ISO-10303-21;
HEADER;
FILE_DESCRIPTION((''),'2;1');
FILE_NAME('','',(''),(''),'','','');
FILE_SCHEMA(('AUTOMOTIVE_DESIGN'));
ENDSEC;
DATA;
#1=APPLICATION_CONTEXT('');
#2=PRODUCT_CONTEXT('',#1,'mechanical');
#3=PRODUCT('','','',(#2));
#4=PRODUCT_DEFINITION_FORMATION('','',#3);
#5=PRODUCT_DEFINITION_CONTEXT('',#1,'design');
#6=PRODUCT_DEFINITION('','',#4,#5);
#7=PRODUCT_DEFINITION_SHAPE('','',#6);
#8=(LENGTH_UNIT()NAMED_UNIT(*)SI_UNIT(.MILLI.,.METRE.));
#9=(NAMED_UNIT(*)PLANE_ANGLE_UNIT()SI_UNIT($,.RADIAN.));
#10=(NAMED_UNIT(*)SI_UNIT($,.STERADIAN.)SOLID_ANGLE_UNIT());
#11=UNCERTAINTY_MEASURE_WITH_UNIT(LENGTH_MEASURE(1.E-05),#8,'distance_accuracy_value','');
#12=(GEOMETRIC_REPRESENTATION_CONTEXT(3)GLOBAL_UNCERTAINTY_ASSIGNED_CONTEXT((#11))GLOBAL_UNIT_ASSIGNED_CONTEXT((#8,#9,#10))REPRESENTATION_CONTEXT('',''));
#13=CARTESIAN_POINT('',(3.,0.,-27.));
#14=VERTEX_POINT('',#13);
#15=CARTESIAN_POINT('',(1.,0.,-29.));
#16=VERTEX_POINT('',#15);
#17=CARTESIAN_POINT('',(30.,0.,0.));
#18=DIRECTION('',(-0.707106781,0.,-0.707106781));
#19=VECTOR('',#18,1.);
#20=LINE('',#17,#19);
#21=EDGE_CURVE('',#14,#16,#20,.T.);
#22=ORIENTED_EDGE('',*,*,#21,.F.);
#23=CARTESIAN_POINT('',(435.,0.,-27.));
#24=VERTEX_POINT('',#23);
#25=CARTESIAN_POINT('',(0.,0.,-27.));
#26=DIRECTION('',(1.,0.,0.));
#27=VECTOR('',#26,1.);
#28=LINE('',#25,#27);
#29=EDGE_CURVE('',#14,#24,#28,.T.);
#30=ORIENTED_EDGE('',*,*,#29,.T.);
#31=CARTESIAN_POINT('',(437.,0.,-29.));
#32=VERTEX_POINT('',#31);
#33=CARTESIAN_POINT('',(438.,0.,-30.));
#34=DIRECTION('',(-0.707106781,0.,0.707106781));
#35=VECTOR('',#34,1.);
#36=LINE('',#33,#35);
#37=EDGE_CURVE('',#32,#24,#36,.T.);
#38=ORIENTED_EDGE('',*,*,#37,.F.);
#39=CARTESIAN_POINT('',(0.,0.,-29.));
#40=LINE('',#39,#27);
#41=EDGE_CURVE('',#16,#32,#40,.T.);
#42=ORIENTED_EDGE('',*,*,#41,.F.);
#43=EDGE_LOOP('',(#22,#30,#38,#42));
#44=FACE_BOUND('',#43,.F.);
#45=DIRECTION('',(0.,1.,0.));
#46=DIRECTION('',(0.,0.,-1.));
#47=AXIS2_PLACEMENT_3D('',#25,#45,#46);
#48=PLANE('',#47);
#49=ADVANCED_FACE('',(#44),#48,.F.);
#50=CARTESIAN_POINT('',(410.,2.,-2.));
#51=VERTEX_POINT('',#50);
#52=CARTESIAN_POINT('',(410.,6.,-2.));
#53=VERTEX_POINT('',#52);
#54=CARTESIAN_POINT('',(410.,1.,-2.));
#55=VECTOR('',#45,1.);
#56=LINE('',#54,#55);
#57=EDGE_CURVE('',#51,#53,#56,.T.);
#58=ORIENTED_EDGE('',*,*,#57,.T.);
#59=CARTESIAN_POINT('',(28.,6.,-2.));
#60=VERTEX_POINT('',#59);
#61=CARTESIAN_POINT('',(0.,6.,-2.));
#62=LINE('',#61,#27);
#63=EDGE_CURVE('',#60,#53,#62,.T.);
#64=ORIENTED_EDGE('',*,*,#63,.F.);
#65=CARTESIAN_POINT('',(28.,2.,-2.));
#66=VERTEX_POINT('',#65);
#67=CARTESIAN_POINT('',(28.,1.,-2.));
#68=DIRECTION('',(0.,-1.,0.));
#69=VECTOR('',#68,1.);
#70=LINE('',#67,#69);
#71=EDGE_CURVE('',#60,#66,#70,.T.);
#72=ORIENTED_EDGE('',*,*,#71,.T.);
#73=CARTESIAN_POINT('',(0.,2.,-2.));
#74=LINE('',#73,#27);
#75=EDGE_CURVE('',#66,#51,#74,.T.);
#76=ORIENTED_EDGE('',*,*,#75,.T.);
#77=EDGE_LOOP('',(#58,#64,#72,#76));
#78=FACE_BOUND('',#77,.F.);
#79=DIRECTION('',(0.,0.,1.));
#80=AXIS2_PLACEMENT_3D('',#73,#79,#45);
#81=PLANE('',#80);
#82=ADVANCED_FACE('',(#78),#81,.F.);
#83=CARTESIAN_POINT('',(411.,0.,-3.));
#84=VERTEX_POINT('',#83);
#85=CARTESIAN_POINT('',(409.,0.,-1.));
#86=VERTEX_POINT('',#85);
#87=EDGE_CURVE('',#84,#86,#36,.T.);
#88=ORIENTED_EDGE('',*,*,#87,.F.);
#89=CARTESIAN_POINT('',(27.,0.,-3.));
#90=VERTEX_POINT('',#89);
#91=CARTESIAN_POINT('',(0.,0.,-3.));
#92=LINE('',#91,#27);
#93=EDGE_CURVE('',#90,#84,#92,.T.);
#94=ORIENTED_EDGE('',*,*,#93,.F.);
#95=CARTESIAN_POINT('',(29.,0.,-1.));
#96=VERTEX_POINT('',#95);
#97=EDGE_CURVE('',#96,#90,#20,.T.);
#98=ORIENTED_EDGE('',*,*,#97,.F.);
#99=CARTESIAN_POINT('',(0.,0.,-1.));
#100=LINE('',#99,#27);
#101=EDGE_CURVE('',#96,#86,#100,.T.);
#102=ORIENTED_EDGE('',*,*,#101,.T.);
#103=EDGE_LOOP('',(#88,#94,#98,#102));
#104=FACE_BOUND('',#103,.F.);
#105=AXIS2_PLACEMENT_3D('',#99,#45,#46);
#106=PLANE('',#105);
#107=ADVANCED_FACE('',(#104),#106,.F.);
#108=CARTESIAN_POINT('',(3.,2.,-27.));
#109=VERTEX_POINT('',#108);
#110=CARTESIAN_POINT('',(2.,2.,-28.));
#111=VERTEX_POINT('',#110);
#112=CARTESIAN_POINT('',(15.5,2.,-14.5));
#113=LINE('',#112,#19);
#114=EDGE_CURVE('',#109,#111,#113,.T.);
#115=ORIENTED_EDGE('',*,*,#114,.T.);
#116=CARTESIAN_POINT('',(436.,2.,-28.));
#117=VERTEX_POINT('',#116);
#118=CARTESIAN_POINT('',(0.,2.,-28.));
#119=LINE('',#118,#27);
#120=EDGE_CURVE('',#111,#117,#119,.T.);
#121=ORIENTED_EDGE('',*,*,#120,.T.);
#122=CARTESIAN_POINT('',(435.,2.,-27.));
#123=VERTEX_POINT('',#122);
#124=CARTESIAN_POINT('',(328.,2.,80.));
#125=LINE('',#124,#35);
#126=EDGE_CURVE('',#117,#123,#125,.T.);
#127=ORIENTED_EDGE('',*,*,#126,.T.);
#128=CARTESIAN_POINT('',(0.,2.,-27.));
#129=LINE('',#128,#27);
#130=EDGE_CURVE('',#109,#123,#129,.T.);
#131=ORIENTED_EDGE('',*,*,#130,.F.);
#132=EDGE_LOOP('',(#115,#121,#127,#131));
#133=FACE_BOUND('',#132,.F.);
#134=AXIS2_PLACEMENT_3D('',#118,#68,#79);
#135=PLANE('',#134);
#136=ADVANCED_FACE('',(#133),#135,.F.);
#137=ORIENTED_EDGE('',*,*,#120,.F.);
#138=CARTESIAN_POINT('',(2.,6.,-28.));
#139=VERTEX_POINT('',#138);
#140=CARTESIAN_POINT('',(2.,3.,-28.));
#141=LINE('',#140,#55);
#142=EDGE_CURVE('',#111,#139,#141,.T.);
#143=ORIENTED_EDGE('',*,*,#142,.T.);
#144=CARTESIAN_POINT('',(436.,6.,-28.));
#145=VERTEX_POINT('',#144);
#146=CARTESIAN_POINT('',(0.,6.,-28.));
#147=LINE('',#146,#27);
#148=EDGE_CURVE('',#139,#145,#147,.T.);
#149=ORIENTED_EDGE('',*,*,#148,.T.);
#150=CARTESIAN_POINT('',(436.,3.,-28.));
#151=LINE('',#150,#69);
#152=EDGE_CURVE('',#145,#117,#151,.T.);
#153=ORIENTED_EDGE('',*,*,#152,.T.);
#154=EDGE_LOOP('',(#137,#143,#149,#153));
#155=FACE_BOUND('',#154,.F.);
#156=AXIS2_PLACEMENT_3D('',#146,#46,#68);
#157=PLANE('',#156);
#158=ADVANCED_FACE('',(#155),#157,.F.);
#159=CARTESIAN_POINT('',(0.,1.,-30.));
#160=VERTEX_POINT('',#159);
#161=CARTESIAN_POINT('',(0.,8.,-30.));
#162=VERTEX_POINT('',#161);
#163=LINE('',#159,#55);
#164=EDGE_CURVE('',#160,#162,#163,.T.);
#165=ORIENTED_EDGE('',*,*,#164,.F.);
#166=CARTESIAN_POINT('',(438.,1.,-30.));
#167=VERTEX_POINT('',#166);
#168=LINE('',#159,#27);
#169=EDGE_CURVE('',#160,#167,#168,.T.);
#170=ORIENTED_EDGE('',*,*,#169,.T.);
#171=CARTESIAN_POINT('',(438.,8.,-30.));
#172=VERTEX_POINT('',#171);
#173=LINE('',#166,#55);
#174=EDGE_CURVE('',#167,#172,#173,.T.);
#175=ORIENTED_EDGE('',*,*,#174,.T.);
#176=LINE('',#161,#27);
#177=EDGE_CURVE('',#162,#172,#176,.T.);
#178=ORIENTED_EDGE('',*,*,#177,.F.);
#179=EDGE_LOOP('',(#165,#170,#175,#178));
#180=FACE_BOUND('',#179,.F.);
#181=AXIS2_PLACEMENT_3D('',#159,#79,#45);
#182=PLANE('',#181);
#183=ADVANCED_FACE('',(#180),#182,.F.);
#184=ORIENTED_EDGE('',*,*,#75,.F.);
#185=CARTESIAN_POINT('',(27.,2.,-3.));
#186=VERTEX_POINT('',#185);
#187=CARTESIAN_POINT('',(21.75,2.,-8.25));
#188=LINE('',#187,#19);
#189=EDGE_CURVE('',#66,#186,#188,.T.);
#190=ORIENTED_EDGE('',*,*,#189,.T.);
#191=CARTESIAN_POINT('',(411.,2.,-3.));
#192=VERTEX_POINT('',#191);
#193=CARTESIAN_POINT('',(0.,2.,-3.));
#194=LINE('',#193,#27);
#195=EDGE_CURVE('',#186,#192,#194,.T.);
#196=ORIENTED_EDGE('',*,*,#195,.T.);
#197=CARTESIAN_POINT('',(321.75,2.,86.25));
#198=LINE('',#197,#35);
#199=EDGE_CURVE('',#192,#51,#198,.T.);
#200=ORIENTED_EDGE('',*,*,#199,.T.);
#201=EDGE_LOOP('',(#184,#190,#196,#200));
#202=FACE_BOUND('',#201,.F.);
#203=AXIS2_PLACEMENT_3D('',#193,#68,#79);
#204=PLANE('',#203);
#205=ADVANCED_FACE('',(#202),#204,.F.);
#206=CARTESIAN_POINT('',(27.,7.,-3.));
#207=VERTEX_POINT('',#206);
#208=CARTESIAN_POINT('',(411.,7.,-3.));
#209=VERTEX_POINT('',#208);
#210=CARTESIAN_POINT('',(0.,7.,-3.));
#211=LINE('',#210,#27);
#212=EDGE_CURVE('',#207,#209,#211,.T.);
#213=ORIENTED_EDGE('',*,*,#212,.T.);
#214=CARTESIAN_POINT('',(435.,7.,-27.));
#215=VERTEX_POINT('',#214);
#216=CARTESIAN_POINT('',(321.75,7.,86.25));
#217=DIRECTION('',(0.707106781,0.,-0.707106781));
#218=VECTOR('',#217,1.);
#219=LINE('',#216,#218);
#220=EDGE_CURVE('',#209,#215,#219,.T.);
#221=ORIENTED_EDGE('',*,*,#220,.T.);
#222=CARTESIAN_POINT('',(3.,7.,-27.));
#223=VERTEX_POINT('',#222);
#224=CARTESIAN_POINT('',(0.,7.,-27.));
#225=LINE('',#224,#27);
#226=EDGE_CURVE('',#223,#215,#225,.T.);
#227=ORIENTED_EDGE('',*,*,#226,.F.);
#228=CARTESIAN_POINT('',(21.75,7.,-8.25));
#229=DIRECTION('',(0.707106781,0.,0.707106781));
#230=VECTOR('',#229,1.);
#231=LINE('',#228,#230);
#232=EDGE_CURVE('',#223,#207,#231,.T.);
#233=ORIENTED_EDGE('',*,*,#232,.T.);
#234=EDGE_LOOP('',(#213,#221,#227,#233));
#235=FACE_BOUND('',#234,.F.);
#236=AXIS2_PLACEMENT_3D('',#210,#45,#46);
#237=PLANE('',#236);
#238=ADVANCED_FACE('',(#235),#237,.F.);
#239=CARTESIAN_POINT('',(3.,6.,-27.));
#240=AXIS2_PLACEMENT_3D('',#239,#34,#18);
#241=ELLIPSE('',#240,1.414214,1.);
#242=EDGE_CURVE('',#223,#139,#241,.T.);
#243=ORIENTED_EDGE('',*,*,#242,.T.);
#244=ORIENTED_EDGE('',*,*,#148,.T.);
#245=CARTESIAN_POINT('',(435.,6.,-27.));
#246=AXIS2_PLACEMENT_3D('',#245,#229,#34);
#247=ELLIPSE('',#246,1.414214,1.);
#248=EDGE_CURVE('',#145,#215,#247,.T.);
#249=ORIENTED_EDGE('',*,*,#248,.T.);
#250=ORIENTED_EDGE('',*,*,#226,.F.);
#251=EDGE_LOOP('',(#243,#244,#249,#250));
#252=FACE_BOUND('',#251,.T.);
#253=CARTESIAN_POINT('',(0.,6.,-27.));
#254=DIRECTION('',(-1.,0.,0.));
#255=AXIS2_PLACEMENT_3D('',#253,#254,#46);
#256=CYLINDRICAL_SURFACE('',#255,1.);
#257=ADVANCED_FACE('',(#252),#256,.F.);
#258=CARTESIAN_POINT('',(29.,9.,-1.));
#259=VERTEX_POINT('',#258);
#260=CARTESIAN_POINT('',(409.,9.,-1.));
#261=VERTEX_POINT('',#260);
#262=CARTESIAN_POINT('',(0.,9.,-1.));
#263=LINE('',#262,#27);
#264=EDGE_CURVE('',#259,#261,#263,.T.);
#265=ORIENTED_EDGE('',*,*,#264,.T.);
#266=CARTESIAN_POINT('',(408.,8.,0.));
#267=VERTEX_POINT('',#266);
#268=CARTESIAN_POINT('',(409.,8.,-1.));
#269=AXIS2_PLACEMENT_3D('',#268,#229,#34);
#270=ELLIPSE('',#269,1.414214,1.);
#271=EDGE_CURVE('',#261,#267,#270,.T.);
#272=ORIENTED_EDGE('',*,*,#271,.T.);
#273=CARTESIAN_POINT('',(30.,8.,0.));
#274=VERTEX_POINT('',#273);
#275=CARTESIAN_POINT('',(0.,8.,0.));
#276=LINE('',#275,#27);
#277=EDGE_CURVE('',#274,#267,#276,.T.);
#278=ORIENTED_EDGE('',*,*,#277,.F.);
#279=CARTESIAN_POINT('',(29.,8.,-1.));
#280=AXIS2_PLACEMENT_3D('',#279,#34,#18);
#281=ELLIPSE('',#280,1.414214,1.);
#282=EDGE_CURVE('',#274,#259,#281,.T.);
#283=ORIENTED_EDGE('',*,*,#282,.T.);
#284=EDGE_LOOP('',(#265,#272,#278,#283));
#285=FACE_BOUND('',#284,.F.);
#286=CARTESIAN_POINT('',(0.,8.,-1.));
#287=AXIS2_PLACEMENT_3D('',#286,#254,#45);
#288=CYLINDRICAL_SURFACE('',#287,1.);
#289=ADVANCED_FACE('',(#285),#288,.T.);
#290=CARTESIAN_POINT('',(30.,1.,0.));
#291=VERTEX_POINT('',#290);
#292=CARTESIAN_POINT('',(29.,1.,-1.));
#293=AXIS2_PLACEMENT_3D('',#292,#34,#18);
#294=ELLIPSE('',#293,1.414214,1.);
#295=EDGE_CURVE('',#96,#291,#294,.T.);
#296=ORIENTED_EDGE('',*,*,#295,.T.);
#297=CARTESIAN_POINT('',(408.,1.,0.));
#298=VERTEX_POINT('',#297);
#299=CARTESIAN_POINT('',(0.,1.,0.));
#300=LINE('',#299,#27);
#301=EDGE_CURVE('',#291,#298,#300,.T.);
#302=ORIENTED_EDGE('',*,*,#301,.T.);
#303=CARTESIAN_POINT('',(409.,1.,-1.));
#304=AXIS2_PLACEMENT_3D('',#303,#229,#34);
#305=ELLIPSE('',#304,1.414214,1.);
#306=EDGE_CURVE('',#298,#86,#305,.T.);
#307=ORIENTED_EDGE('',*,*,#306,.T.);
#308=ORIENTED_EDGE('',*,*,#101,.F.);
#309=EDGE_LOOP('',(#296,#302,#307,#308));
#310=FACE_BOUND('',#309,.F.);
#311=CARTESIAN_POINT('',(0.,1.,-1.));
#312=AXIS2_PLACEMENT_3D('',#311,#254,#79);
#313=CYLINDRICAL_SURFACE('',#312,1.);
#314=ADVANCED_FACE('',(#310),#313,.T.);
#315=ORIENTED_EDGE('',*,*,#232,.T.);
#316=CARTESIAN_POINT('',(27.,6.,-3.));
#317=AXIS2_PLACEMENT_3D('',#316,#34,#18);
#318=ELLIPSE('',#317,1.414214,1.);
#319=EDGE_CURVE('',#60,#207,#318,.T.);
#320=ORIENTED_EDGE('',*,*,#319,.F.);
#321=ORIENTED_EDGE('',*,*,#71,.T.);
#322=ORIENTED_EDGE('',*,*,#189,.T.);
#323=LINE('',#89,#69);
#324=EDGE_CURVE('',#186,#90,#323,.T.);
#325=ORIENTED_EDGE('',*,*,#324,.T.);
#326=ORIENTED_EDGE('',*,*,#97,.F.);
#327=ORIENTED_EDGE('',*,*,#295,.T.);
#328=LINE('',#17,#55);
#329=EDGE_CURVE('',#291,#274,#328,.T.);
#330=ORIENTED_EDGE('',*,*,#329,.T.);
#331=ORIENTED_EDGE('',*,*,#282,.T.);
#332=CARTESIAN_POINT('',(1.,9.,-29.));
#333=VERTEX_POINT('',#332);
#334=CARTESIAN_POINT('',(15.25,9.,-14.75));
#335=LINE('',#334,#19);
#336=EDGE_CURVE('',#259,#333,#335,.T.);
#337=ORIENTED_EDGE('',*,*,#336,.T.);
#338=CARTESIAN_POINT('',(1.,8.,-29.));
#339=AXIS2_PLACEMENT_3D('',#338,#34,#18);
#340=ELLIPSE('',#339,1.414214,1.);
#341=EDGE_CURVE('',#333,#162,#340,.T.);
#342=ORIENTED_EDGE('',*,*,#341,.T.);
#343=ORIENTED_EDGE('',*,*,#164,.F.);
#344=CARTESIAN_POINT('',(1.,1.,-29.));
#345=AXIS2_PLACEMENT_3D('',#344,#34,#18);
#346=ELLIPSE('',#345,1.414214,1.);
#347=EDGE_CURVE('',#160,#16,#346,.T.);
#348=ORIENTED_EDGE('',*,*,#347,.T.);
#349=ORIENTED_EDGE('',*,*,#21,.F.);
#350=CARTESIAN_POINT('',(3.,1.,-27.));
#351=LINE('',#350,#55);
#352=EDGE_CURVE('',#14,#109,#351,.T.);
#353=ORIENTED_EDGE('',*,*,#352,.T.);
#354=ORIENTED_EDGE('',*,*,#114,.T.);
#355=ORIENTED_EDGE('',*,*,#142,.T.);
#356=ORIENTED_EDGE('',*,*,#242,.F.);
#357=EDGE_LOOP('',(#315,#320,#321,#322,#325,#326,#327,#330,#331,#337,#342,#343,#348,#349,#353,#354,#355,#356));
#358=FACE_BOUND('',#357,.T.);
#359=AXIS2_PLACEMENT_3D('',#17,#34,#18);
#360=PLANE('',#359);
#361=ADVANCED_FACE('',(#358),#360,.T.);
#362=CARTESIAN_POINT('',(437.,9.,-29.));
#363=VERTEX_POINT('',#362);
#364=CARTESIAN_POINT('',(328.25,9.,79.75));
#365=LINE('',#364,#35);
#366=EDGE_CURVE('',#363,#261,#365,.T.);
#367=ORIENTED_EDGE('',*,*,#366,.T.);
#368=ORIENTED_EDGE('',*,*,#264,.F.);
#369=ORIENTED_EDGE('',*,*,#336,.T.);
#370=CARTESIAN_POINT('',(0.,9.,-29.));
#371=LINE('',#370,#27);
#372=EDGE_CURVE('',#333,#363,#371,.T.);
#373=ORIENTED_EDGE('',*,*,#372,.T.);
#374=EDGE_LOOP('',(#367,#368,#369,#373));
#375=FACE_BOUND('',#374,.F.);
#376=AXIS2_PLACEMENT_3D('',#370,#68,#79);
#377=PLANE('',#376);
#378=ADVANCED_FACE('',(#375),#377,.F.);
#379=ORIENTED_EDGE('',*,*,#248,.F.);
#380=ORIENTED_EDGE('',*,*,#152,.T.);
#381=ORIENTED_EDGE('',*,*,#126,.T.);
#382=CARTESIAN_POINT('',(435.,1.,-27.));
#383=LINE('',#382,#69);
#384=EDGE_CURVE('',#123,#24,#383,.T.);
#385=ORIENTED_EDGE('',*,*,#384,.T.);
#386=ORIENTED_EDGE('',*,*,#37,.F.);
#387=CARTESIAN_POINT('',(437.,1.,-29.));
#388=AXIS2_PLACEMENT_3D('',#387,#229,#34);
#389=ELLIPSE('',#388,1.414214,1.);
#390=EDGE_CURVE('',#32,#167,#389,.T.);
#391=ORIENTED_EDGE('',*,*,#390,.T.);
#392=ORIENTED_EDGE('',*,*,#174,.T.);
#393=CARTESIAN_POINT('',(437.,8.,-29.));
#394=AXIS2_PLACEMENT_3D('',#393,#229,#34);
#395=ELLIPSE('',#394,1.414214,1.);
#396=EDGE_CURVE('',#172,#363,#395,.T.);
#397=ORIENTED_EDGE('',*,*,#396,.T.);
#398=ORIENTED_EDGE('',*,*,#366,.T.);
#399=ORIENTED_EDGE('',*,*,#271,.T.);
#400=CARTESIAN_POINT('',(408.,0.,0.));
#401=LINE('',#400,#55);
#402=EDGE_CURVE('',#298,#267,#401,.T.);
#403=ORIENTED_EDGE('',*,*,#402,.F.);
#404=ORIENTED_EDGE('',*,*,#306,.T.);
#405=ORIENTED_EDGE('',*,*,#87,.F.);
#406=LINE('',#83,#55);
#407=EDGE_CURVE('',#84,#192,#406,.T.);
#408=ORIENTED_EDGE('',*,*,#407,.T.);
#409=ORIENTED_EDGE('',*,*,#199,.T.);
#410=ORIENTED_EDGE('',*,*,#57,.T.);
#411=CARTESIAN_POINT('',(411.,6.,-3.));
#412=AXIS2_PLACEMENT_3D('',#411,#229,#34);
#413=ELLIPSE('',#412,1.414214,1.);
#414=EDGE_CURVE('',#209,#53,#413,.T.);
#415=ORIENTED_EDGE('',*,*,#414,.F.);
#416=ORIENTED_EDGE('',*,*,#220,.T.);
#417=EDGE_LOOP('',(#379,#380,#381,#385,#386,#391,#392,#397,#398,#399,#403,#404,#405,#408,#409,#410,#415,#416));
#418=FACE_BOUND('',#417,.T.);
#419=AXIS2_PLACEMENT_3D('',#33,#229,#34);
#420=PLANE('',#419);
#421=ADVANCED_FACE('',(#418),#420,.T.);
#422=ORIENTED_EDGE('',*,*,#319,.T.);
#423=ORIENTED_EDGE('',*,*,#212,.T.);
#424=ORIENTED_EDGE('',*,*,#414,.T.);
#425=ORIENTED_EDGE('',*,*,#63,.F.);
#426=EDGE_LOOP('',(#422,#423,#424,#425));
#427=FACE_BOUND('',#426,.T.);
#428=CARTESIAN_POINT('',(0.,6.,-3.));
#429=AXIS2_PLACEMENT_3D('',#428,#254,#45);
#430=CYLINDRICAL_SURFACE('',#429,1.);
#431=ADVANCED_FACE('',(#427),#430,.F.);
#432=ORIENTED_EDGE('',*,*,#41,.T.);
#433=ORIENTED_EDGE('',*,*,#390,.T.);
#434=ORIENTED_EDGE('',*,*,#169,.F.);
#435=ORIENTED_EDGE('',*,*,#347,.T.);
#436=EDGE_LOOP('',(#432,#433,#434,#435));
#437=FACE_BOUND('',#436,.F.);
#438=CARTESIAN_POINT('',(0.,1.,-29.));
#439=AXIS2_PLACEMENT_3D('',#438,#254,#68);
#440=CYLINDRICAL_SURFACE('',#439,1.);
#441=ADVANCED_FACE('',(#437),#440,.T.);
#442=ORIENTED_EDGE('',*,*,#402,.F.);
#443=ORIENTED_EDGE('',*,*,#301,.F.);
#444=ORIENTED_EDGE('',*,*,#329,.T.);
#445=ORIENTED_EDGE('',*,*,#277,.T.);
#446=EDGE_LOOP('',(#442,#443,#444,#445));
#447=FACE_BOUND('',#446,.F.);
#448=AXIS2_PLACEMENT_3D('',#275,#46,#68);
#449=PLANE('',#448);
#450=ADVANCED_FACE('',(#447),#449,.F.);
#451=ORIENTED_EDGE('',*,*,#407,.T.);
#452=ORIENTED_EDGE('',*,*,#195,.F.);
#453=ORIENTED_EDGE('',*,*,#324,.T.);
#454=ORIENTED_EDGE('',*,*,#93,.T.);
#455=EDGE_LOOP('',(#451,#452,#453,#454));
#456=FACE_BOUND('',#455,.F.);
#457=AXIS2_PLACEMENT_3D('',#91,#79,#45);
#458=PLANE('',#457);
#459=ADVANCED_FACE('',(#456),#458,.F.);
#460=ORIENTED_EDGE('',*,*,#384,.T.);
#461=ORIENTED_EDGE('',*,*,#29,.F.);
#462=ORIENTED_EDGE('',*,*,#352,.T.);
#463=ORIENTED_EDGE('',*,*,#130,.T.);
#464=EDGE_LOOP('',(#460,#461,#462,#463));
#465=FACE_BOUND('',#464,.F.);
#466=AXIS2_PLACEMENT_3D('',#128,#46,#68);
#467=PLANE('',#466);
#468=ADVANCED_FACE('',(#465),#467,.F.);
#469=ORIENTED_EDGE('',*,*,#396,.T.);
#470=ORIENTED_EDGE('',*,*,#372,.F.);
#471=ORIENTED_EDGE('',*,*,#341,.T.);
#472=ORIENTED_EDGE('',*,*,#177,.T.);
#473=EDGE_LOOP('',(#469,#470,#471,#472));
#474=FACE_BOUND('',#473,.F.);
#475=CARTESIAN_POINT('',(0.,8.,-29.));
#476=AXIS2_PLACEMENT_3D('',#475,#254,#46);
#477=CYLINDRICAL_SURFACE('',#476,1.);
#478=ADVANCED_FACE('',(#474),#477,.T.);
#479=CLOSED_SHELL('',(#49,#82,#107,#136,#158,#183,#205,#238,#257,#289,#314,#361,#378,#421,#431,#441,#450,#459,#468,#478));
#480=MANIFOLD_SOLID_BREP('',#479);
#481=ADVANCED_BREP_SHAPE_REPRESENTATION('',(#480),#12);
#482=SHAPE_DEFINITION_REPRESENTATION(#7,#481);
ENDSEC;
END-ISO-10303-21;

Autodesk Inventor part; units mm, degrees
ref_plane "YZ Plane" through (0, 0, 0) normal (1, 0, 0) x (0, 1, 0)
ref_plane "XZ Plane" through (0, 0, 0) normal (0, 1, 0) x (-1, 0, 0)
ref_plane "XY Plane" through (0, 0, 0) normal (0, 0, 1) x (1, 0, 0)
sketch "Boceto principal" plane through (0, 0, 0) normal (1, 0, 0) x (0, 1, 0)
  line L0 (0, -1) -> (0, -3)
  line L1 (0, -3) -> (2, -3)
  line L2 (2, -3) -> (2, -2)
  line L3 (2, -2) -> (6, -2)
  line L4 (7, -3) -> (7, -27)
  line L5 (6, -28) -> (2, -28)
  line L6 (2, -28) -> (2, -27)
  line L7 (2, -27) -> (0, -27)
  line L8 (0, -27) -> (0, -29)
  line L9 (1, -30) -> (8, -30)
  line L10 (9, -29) -> (9, -1)
  line L11 (8, 0) -> (1, 0)
  arc A0 (1, 0) -> (0, -1) centre (1, -1) ccw
  arc A1 (7, -3) -> (6, -2) centre (6, -3) ccw
  arc A2 (6, -28) -> (7, -27) centre (6, -27) ccw
  arc A3 (0, -29) -> (1, -30) centre (1, -29) ccw
  arc A4 (8, -30) -> (9, -29) centre (8, -29) ccw
  arc A5 (9, -1) -> (8, 0) centre (8, -1) ccw
extrude "Extrusion1" add sketch "Boceto principal" along normal blind 438
sketch "Boceto esquinas" plane through (0, 0, 0) normal (0, 1, 0) x (-1, 0, 0)
  line L0 (0, 0) -> (-30, 0)
  line L1 (-30, 0) -> (0, -30)
  line L2 (0, -30) -> (0, 0)
  line L3 (-408, 0) -> (-438, 0)
  line L4 (-438, 0) -> (-438, -30)
  line L5 (-438, -30) -> (-408, 0)
extrude "Extrusion2" cut sketch "Boceto esquinas" along normal blind 10
properties part number "Tapa 30x30 438mm" material "PVC, Flexible"
